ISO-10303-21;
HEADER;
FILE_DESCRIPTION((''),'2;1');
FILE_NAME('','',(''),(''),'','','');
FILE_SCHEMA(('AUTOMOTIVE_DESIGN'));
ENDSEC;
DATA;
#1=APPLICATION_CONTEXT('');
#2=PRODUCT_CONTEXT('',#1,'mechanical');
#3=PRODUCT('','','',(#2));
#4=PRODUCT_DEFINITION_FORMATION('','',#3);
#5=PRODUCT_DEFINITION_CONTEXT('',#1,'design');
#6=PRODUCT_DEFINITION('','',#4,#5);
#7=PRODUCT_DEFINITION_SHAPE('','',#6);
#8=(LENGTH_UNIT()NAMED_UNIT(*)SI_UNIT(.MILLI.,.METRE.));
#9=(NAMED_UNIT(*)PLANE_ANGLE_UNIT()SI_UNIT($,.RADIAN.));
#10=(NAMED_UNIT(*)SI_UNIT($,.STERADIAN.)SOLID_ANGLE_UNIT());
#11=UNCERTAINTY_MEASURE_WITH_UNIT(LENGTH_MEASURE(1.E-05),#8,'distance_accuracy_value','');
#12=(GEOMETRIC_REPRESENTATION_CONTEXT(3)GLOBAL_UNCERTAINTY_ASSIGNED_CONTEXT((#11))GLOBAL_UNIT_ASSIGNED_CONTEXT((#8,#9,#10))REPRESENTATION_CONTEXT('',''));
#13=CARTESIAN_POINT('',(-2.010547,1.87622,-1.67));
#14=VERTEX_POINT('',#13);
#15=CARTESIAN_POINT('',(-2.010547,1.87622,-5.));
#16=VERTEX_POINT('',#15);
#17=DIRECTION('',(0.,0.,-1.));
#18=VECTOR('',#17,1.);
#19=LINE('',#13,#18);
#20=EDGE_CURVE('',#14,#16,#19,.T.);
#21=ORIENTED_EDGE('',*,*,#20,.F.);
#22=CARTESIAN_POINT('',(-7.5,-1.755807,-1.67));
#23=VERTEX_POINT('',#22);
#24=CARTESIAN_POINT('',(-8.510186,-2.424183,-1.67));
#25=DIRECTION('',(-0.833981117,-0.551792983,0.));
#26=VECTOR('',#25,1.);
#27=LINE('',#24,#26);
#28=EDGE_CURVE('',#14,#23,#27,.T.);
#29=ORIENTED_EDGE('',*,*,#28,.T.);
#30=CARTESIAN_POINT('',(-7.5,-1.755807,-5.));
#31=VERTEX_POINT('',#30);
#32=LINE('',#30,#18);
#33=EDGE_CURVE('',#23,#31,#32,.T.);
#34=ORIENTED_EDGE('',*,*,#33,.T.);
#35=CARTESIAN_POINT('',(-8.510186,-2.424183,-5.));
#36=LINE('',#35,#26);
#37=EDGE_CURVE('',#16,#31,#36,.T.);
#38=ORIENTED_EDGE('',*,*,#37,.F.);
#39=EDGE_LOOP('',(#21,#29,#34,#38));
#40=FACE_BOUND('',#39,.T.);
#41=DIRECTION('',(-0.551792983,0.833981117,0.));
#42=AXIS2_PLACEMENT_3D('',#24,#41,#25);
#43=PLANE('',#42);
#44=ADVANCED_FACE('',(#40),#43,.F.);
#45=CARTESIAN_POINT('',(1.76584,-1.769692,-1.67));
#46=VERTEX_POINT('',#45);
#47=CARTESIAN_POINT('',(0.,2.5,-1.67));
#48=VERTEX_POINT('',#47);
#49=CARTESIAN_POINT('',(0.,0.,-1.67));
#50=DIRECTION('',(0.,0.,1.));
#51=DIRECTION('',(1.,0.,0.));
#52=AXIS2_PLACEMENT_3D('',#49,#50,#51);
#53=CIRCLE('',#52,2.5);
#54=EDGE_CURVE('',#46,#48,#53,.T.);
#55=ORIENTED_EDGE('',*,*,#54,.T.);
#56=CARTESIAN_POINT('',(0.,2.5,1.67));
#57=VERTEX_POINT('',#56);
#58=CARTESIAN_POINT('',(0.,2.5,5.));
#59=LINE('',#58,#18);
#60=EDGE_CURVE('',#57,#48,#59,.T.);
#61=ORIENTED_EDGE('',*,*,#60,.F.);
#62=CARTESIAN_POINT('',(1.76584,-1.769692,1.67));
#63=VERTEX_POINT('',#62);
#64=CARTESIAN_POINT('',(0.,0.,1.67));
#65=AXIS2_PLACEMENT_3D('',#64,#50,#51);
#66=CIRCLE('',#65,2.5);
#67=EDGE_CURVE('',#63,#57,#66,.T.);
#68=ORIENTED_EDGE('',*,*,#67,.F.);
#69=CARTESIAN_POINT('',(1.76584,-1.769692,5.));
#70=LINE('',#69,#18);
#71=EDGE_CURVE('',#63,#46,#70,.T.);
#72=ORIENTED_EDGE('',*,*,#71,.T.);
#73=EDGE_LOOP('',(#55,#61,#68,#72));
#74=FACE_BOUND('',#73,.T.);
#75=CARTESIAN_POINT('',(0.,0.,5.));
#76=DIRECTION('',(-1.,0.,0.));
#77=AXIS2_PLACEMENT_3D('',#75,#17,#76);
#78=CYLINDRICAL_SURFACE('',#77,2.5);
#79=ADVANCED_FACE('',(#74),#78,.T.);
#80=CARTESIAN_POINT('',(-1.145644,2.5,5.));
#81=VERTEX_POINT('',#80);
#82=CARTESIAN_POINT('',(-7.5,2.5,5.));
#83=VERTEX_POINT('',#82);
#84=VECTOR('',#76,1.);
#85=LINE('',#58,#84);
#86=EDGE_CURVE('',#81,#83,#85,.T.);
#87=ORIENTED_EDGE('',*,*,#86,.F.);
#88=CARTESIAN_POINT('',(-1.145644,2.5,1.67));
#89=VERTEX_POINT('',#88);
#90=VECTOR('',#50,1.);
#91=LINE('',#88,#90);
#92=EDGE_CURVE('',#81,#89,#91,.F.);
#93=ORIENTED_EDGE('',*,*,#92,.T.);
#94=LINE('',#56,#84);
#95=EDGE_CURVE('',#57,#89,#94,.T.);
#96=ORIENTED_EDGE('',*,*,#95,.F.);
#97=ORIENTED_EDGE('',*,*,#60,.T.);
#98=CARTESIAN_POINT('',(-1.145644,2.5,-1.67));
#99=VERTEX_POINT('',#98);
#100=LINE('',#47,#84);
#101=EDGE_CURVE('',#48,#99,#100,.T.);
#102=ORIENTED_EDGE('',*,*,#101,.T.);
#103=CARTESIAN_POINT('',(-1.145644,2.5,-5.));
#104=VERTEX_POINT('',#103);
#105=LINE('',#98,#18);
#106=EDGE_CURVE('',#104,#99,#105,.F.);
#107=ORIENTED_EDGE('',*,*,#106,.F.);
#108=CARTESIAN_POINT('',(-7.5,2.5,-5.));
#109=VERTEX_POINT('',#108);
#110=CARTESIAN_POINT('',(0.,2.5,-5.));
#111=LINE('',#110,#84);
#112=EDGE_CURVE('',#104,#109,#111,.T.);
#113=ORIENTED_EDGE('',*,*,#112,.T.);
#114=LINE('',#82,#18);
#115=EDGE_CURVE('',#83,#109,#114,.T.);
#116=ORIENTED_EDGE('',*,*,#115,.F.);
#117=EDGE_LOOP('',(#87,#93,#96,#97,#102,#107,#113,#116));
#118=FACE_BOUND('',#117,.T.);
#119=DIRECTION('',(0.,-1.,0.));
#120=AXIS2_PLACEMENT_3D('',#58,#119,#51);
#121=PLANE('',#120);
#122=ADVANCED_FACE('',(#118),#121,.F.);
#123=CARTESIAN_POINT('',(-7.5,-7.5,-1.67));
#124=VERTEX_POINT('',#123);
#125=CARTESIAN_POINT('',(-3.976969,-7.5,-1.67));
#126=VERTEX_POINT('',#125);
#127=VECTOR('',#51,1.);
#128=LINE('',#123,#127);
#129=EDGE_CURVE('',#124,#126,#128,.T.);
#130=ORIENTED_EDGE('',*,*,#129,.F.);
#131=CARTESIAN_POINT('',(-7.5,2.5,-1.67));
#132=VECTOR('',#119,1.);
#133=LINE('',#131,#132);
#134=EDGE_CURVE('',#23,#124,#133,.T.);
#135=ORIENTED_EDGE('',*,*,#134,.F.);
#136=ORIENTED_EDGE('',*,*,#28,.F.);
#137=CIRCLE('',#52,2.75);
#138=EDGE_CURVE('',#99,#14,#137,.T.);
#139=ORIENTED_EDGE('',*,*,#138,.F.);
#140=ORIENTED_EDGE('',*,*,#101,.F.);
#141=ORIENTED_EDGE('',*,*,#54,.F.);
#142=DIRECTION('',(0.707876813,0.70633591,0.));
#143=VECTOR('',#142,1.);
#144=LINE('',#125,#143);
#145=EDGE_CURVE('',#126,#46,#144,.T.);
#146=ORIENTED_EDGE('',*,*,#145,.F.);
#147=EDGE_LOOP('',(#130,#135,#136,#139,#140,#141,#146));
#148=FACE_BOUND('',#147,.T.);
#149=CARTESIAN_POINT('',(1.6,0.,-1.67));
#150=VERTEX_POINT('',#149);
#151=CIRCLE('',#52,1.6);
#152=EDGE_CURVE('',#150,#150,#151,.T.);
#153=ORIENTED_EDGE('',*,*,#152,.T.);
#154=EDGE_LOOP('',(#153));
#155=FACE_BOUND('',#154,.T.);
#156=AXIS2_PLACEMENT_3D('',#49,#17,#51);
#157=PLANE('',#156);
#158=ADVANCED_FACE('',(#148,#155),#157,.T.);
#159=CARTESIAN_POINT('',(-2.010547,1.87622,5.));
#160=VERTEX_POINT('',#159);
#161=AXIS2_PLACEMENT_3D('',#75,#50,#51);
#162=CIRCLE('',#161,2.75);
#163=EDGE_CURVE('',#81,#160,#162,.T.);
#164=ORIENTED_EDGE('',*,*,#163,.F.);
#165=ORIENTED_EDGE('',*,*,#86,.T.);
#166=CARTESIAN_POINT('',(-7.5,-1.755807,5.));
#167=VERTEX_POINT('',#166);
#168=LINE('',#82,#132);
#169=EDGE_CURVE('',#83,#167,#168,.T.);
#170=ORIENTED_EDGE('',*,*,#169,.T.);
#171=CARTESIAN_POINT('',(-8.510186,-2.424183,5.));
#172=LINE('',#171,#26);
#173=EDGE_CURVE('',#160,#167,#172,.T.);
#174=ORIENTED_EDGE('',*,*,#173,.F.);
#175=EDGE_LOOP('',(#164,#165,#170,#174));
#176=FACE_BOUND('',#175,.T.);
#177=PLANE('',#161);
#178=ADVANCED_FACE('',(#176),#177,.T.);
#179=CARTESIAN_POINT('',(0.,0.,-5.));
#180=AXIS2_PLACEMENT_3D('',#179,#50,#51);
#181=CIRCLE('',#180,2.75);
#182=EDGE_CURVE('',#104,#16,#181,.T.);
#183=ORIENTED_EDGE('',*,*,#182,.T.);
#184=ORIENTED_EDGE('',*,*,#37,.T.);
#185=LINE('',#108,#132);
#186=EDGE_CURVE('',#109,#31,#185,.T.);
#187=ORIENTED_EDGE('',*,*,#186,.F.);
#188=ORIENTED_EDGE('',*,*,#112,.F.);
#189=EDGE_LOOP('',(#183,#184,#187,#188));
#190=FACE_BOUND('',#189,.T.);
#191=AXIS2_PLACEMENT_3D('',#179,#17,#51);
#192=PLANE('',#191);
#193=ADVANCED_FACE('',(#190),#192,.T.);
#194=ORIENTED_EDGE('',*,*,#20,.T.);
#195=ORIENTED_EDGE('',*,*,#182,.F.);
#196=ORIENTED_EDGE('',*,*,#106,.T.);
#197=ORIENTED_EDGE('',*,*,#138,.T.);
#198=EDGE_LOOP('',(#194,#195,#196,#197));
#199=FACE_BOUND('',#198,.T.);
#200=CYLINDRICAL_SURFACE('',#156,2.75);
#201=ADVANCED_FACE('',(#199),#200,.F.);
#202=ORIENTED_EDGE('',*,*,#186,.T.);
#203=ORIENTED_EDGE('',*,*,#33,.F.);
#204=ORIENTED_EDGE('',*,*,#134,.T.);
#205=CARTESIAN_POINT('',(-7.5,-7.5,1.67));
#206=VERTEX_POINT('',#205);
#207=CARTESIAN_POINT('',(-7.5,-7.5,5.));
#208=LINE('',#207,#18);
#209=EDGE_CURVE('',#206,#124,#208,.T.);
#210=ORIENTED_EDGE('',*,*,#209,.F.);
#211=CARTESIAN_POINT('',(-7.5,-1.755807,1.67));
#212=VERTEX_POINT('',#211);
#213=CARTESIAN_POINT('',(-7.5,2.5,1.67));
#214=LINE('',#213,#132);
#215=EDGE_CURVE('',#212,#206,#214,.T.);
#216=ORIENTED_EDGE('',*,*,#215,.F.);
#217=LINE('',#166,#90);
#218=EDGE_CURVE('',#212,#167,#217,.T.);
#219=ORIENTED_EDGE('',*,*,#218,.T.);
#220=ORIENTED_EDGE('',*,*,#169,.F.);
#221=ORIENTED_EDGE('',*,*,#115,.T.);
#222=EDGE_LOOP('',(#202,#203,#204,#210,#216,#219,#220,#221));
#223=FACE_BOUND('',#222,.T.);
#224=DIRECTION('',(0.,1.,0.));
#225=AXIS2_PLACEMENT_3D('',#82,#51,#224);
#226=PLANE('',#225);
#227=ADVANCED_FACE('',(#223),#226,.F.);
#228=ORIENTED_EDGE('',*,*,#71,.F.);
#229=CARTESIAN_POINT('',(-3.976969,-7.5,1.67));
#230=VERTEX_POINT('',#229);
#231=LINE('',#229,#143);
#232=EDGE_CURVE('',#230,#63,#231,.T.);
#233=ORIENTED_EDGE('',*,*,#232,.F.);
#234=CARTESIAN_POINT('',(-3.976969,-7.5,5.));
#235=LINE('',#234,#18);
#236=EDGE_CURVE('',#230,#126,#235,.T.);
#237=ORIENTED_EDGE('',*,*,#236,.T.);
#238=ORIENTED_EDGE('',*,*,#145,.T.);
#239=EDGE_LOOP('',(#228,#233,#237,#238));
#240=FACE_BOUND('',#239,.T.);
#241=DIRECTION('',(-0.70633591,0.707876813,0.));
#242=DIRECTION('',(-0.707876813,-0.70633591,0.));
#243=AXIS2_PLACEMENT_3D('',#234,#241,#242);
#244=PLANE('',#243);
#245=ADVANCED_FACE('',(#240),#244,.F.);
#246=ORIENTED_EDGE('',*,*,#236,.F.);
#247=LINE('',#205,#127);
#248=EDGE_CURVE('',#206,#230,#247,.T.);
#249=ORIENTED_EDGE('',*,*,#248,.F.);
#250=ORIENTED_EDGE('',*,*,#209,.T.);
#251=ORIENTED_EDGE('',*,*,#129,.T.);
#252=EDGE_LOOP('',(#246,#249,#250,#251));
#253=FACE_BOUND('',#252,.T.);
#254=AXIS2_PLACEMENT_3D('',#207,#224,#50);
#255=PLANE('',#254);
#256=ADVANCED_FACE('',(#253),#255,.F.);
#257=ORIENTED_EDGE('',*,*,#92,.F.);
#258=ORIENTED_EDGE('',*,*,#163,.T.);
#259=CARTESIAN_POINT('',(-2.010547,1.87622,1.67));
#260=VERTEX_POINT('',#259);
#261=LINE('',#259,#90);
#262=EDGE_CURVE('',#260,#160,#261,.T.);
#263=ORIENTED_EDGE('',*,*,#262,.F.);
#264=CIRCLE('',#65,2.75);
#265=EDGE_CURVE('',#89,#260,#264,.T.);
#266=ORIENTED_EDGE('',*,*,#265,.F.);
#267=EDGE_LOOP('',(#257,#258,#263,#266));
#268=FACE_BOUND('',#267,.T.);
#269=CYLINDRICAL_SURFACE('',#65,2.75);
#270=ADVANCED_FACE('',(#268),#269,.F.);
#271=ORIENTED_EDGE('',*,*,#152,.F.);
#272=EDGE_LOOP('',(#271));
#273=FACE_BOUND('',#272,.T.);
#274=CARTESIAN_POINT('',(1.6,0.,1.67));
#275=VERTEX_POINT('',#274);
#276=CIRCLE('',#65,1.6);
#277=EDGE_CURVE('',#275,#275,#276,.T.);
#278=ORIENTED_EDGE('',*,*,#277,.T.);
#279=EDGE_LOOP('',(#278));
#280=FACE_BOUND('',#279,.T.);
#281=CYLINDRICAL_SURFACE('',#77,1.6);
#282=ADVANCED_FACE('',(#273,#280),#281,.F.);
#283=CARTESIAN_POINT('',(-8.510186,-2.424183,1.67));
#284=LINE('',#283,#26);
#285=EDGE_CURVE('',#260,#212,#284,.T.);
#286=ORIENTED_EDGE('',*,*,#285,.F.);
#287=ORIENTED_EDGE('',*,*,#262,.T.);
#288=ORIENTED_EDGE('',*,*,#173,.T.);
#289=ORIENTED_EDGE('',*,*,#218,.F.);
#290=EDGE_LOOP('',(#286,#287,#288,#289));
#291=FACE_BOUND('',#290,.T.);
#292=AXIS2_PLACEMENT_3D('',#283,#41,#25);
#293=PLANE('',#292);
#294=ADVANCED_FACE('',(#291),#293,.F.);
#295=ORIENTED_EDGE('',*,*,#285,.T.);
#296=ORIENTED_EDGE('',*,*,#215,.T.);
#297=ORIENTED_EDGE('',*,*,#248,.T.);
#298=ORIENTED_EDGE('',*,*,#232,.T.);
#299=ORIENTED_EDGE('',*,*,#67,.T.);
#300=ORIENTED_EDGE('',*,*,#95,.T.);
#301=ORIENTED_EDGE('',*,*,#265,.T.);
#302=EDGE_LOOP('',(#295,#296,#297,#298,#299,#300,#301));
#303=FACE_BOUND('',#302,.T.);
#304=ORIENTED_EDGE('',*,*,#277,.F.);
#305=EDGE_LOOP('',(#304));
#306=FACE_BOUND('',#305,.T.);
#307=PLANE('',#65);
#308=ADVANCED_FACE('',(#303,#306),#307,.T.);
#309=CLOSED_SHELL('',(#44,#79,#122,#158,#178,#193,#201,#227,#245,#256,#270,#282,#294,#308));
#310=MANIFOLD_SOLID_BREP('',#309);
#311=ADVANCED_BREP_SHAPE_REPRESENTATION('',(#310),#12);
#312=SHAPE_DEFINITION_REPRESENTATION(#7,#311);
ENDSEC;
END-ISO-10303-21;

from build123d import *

# Parameters (mm, degrees)
SKETCH1_R           = 1.6
BOSS_EXTRUDE1_DEPTH = 5
CUT_EXTRUDE2_DEPTH  = 3.33


with BuildPart() as part:
    # Sketch1 → Boss-Extrude1 (new body)
    with BuildSketch(Plane.XY):
        with BuildLine():
            Line((0, 2.5), (-7.5, 2.5))
            Line((-7.5, 2.5), (-7.5, -7.5))
            Line((-7.5, -7.5), (-3.976969112, -7.5))
            Line((-3.976969112, -7.5), (1.765839775, -1.769692032))
            ThreePointArc((1.765839775, -1.769692032), (2.310219695, 0.955450135), (0, 2.5))
        make_face()
        Circle(SKETCH1_R, mode=Mode.SUBTRACT)
    extrude(amount=BOSS_EXTRUDE1_DEPTH)

    # Sketch4 → Cut-Extrude2 (cut)
    with BuildSketch(Plane.XY.offset(5)):
        with BuildLine():
            Line((1.943040083, -1.946046052), (-3.82334364, -7.91054561))
            Line((-3.82334364, -7.91054561), (-8.510185697, -7.91054561))
            Line((-8.510185697, -7.91054561), (-8.510185697, -2.424183437))
            Line((-8.510185697, -2.424183437), (-2.010547232, 1.876219558))
            ThreePointArc((-2.010547232, 1.876219558), (1.911430852, 1.977101945), (1.943040083, -1.946046052))
        make_face()
    extrude(amount=-CUT_EXTRUDE2_DEPTH, mode=Mode.SUBTRACT)

    # Mirror1: part across plane


with BuildPart() as part_1:
    add(part.part)
    add(part.part.mirror(Plane.XY))


solid = part_1.part
